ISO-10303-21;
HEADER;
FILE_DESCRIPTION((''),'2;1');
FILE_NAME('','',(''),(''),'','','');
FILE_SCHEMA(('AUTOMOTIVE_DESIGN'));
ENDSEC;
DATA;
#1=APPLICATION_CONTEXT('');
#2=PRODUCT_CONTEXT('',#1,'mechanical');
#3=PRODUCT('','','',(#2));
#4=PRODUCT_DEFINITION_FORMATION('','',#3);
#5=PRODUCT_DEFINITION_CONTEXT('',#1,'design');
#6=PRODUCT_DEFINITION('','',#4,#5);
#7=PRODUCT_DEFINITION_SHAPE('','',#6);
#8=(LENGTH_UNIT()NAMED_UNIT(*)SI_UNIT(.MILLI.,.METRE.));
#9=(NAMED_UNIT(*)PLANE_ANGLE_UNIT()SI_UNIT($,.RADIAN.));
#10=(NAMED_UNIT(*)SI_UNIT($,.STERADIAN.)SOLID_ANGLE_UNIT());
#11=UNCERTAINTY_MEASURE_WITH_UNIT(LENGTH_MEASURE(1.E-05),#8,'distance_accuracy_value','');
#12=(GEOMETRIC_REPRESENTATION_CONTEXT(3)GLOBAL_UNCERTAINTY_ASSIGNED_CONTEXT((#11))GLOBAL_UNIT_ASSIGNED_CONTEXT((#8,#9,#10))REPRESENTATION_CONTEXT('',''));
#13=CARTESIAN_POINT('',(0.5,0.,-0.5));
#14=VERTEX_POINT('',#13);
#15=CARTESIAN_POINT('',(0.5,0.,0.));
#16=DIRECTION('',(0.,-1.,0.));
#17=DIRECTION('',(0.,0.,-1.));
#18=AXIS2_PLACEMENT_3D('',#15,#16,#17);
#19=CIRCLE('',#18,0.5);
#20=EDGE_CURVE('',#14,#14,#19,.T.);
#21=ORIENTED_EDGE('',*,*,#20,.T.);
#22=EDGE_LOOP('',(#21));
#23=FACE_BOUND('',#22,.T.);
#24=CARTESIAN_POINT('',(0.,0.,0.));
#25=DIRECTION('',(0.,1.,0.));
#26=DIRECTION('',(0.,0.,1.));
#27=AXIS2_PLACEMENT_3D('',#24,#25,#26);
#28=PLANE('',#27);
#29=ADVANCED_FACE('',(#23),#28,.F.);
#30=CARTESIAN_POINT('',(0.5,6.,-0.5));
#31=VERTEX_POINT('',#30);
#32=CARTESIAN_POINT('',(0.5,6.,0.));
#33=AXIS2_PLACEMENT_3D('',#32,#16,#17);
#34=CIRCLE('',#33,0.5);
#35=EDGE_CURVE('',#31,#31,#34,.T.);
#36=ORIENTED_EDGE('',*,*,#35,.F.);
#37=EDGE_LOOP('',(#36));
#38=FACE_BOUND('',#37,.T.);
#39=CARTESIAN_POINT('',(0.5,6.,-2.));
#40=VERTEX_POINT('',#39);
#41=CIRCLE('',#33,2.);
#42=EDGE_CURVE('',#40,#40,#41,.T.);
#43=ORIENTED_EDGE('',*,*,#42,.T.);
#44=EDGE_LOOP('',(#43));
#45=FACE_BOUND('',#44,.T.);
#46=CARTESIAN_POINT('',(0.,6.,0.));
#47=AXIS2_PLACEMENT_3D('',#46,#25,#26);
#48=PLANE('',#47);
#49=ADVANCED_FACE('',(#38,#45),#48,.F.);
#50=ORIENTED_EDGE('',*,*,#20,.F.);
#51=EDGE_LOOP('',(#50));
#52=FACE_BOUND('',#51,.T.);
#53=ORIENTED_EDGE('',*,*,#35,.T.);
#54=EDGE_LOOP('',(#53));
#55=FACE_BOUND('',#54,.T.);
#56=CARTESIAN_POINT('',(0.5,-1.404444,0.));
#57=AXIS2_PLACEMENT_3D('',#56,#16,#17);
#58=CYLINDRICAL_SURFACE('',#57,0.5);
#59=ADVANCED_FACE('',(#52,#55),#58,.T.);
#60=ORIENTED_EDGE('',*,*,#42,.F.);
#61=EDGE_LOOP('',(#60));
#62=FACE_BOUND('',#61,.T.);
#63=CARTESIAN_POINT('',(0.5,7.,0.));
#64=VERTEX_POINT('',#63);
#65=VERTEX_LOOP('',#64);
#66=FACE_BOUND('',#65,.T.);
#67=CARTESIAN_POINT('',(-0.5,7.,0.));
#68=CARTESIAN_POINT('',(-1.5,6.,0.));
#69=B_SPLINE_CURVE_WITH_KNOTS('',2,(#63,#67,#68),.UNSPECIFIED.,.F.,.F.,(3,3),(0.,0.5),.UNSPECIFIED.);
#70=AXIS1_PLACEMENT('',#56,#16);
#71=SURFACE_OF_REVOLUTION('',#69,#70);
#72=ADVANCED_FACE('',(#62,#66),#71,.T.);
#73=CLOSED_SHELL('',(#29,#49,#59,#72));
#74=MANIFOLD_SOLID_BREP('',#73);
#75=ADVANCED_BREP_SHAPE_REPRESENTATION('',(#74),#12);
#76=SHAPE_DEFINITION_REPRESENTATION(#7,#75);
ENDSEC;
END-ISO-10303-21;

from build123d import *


with BuildPart() as part:
    # Sketch1 → Revolve1 (revolve)
    with BuildSketch(Plane.XY, mode=Mode.PRIVATE) as revolve1_sk:
        with BuildLine():
            Line((0, 0), (0, 6))
            Line((0, 6), (-1.5, 6))
            add(Edge.make_bspline(
                [(-1.5, 6), (-0.5, 7), (0.5, 7)],
                knots=[0, 0, 0, 0.5, 0.5, 0.5], degree=2))
            Line((0.5, 7), (0.5, 0))
            Line((0.5, 0), (0, 0))
        make_face()
    revolve(revolve1_sk.sketch.rotate(Axis((0.5, -1.404443636, 0), (0, 1, 0)), 270), axis=Axis((0.5, -1.404443636, 0), (0, 1, 0)))


solid = part.part
